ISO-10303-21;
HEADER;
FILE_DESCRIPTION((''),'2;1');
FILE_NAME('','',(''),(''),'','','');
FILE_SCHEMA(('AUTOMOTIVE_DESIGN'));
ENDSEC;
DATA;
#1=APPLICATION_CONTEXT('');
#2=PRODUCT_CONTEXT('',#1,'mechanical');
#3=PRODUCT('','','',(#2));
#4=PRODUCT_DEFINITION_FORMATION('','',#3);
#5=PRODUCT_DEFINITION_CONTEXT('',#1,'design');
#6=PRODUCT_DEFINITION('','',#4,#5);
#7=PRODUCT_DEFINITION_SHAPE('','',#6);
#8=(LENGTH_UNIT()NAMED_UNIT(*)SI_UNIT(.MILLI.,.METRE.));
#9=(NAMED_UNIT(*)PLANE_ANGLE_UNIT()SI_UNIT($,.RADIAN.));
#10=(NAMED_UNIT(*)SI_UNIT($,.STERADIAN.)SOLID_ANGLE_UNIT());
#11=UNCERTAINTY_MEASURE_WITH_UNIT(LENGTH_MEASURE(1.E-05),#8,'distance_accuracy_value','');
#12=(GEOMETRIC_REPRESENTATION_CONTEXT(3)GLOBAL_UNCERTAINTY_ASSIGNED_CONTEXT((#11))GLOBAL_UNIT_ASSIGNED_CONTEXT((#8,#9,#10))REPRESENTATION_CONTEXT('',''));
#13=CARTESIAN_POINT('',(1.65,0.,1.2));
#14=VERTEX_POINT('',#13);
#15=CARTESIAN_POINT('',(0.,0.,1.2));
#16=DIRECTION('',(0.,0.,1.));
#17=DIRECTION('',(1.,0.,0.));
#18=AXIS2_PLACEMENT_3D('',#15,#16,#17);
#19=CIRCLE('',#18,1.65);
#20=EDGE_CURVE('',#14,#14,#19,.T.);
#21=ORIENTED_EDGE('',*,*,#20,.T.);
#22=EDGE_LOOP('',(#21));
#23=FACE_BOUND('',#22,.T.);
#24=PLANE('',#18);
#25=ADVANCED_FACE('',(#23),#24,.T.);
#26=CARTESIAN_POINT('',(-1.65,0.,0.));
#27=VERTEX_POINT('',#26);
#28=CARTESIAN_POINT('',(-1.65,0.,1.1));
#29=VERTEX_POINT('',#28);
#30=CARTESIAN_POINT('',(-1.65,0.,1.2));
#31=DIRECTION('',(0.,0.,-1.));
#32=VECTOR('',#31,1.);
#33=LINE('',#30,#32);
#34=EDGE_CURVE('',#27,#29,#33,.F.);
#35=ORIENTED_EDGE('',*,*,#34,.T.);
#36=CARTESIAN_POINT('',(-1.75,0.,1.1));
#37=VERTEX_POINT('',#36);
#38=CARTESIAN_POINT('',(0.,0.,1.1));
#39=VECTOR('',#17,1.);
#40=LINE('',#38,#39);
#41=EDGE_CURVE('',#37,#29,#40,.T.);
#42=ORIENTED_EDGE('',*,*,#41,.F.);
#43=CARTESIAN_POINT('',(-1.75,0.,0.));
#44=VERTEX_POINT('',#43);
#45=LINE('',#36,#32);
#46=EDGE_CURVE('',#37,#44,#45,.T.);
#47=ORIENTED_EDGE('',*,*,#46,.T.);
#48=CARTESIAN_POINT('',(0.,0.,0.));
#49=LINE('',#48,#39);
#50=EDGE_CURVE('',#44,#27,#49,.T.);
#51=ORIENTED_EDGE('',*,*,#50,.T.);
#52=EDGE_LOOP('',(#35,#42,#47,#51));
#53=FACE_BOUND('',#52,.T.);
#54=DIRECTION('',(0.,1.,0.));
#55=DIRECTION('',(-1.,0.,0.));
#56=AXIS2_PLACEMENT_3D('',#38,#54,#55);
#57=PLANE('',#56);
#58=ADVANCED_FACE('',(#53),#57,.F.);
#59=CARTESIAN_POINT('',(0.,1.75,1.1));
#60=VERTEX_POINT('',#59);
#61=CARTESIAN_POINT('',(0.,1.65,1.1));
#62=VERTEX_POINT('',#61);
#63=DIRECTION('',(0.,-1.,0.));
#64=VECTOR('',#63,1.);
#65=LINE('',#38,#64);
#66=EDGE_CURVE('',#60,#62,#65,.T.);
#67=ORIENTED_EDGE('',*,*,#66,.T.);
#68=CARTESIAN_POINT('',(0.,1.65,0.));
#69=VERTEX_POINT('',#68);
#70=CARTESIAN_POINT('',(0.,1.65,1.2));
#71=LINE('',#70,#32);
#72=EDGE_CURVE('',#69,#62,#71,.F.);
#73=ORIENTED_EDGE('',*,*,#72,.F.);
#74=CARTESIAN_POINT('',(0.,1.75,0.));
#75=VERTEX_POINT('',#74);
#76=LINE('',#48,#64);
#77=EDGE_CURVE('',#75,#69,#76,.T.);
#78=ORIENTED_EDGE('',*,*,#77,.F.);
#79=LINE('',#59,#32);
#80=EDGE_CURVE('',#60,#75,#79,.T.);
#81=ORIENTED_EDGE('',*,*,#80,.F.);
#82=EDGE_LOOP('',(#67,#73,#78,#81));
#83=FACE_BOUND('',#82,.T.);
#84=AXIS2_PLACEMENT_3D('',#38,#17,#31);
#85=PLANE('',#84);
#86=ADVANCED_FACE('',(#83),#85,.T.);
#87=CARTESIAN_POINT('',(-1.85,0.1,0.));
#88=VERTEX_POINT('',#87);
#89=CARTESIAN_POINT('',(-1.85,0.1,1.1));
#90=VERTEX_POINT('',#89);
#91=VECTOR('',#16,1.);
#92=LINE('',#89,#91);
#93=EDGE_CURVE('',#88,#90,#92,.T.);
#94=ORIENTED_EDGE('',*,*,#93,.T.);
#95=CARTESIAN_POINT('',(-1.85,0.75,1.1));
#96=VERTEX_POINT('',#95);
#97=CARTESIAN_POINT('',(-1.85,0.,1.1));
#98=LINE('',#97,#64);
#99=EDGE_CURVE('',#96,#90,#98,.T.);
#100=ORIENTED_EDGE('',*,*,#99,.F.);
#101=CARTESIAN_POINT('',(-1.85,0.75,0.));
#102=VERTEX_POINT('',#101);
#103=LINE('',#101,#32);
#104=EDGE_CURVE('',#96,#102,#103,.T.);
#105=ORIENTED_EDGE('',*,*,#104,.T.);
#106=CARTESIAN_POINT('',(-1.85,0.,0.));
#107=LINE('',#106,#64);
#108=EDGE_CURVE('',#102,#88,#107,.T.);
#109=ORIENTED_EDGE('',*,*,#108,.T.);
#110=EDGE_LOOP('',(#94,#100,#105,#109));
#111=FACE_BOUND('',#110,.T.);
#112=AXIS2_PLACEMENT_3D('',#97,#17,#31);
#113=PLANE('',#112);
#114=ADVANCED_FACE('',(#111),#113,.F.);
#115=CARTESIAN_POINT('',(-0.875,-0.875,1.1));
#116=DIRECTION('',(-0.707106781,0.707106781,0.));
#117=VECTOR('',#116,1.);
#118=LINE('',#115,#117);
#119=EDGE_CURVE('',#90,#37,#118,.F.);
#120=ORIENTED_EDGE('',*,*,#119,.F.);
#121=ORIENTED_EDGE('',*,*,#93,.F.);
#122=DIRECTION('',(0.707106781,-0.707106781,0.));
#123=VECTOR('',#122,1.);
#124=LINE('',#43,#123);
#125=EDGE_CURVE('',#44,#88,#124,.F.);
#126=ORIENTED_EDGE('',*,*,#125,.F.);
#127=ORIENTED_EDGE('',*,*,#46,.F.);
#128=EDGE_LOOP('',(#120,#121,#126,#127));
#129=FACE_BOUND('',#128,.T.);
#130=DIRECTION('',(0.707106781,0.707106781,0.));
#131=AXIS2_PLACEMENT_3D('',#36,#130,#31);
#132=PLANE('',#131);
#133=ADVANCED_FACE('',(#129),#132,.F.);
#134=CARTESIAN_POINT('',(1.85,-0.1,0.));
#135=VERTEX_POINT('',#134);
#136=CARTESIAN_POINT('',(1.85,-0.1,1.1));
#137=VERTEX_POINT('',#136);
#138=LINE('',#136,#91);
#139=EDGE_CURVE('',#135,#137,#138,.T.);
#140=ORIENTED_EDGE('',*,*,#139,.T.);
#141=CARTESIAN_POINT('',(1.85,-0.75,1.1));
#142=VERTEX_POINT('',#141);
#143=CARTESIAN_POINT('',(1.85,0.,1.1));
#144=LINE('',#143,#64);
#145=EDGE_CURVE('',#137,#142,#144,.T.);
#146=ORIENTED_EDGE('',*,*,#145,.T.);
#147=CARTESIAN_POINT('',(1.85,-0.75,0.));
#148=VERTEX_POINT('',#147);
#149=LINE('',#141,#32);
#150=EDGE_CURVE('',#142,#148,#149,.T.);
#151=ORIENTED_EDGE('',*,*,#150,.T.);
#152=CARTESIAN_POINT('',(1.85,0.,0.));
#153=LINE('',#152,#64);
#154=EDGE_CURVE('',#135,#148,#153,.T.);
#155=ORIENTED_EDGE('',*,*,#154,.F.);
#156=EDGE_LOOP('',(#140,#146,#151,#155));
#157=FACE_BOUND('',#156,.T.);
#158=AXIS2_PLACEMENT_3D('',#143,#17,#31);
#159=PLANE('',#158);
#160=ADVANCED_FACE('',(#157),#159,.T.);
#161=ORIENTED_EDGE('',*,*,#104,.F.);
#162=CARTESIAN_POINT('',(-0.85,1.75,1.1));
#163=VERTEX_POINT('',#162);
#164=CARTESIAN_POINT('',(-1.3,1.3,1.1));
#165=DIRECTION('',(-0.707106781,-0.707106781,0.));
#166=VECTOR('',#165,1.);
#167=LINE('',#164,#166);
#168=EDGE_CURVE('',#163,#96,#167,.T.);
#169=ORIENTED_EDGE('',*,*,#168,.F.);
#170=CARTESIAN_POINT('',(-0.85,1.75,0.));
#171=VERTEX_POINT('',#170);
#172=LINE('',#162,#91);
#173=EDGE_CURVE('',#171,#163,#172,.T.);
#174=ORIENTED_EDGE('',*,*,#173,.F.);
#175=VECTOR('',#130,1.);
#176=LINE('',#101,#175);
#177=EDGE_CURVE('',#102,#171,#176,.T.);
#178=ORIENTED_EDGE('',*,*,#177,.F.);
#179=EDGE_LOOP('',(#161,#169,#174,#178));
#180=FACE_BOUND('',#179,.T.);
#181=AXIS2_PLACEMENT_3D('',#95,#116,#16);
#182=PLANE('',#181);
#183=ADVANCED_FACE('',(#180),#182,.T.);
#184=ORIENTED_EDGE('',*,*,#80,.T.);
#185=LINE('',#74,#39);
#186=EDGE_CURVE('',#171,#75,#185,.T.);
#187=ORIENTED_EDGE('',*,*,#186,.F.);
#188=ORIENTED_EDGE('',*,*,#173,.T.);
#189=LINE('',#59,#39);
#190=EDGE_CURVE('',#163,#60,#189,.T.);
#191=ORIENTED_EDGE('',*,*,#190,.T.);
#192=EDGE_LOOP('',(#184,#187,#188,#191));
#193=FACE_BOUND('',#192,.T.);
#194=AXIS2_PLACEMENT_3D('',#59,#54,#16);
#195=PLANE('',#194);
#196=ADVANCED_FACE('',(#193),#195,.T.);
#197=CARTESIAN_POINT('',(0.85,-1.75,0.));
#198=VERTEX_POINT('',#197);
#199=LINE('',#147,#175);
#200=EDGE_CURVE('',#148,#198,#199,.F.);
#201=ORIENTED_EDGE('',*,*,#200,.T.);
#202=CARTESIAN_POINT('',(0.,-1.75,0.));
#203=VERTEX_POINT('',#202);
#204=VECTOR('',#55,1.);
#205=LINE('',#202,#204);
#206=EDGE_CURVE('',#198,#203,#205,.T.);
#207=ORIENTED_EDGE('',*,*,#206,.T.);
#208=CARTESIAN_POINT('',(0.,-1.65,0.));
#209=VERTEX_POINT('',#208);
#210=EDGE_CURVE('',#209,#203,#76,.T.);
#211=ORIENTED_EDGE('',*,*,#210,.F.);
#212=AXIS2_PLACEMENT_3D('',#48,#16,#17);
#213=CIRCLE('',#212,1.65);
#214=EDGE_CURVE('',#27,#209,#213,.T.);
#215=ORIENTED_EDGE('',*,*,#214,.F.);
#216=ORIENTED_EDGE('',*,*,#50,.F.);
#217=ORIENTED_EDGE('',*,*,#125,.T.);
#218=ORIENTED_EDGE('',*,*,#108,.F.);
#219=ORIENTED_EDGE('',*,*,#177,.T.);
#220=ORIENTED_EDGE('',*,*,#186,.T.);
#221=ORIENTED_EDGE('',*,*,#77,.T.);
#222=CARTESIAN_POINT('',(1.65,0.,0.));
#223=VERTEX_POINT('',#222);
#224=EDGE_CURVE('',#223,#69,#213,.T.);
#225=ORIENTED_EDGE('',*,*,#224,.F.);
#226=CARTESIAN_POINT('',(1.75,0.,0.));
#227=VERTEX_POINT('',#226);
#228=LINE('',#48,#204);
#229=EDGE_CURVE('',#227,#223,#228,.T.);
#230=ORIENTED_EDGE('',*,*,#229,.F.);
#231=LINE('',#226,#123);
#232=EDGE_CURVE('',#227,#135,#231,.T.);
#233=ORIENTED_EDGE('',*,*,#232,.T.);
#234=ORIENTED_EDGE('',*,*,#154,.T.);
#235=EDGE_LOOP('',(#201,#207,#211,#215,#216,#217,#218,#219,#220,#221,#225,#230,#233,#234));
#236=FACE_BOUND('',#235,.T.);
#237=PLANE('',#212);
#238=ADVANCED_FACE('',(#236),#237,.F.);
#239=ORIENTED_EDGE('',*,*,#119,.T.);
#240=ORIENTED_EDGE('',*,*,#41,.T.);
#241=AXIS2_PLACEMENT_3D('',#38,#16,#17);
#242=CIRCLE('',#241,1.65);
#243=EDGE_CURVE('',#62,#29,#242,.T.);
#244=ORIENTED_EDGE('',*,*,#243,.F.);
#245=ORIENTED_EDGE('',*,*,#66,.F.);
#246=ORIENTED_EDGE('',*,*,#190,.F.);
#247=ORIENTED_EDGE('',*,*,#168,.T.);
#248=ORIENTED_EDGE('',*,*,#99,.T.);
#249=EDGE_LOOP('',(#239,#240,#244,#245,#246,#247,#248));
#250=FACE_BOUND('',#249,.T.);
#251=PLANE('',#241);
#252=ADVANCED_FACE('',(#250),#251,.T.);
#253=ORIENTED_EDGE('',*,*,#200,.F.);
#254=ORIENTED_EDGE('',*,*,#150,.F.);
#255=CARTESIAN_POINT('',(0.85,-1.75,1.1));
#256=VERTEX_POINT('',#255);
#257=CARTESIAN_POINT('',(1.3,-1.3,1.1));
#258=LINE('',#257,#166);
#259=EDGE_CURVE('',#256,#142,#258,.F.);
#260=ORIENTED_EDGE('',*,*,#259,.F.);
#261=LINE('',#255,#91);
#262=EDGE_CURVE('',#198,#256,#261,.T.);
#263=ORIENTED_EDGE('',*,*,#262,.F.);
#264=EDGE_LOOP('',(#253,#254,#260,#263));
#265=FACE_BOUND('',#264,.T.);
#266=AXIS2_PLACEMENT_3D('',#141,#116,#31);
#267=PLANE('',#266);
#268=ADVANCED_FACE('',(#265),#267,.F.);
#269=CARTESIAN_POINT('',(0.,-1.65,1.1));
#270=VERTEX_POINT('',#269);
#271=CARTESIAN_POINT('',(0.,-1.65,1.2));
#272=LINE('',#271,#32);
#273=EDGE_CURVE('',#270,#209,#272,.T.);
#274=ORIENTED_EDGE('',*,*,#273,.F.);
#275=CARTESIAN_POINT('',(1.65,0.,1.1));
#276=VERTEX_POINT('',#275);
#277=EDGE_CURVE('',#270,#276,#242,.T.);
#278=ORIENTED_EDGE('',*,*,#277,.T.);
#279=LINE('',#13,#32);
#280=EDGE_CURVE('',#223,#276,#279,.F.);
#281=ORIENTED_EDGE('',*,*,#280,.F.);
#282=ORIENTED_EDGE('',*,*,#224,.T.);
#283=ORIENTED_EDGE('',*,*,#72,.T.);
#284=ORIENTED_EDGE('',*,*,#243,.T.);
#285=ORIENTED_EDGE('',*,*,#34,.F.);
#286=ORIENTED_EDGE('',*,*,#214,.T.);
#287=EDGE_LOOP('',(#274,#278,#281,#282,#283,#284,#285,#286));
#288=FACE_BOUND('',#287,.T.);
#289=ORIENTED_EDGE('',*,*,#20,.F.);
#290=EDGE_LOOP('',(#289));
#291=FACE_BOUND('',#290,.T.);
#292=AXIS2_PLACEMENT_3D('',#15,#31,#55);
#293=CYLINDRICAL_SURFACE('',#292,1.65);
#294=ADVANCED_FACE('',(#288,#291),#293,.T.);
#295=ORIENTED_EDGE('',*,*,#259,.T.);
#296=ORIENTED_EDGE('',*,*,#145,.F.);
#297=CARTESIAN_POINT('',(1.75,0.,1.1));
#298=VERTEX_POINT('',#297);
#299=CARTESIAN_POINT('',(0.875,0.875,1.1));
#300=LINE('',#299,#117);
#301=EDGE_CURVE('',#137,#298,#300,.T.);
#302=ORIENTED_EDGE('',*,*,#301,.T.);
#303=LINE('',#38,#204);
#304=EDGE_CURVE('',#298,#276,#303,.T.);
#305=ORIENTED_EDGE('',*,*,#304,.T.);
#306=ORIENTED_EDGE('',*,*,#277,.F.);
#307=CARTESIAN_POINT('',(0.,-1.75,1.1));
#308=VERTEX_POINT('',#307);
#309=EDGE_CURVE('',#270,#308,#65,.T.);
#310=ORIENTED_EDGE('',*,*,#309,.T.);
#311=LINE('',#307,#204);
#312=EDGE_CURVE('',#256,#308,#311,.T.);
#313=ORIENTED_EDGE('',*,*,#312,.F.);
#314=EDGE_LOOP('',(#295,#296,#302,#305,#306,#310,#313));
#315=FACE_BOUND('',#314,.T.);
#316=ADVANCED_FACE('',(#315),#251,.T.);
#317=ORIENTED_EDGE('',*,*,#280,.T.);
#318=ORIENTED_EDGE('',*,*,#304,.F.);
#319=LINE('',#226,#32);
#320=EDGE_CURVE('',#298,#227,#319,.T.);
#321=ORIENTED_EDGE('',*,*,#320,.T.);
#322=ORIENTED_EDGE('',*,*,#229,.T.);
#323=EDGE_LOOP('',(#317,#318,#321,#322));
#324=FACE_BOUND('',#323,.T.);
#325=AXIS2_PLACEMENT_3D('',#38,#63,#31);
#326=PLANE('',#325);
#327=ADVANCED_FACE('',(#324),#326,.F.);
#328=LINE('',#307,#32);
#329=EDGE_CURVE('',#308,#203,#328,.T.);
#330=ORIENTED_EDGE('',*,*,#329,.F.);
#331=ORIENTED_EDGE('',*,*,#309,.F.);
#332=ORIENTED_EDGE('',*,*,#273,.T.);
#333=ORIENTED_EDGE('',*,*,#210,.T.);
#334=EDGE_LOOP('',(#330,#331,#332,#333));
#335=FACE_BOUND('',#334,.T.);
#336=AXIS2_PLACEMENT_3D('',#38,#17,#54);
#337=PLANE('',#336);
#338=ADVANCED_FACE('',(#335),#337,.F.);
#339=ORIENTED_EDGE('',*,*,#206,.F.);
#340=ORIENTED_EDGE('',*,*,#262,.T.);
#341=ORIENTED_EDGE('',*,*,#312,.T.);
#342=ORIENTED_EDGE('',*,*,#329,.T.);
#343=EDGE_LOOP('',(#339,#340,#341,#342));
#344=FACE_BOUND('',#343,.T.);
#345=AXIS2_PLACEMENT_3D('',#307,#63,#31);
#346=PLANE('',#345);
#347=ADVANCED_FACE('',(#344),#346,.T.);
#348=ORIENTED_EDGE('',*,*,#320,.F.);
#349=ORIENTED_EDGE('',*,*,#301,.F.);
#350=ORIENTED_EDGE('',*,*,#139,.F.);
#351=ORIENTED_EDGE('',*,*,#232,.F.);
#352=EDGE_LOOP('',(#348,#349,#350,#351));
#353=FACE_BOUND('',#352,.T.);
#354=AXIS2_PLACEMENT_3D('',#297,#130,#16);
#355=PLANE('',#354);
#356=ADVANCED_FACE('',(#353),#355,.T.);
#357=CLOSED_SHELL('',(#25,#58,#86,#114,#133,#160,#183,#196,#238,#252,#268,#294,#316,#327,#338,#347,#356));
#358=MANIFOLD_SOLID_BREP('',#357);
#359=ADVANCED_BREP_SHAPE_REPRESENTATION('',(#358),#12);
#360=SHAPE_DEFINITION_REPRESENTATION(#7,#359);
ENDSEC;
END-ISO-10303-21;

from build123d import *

# Parameters (mm, degrees)
SKETCH1_R           = 1.65
BOSS_EXTRUDE1_DEPTH = 1.2
SKETCH2_W           = 1.85
SKETCH2_H           = 1.75
BOSS_EXTRUDE2_DEPTH = 1.1
CHAMFER1_SIZE       = 0.1
CHAMFER2_SIZE       = 1


with BuildPart() as part:
    # Sketch1 → Boss-Extrude1 (new body)
    with BuildSketch(Plane.XY):
        Circle(SKETCH1_R)
    extrude(amount=BOSS_EXTRUDE1_DEPTH)

    # Sketch2 → Boss-Extrude2 (add)
    with BuildSketch(Plane.XY):
        with Locations((-0.925, 0.875)):
            Rectangle(SKETCH2_W, SKETCH2_H)
        with Locations((0.925, -0.875)):
            Rectangle(SKETCH2_W, SKETCH2_H)
    extrude(amount=BOSS_EXTRUDE2_DEPTH)

    # Chamfer1
    chamfer1_edges = [part.edges().sort_by_distance(p)[0] for p in [
        (1.85, 0, 0.55),
        (-1.85, 0, 0.55),
    ]]
    chamfer(chamfer1_edges, length=CHAMFER1_SIZE)

    # Chamfer2
    chamfer2_edges = [part.edges().sort_by_distance(p)[0] for p in [
        (-1.85, 1.75, 0.55),
        (1.85, -1.75, 0.55),
    ]]
    chamfer(chamfer2_edges, length=CHAMFER2_SIZE)


solid = part.part
